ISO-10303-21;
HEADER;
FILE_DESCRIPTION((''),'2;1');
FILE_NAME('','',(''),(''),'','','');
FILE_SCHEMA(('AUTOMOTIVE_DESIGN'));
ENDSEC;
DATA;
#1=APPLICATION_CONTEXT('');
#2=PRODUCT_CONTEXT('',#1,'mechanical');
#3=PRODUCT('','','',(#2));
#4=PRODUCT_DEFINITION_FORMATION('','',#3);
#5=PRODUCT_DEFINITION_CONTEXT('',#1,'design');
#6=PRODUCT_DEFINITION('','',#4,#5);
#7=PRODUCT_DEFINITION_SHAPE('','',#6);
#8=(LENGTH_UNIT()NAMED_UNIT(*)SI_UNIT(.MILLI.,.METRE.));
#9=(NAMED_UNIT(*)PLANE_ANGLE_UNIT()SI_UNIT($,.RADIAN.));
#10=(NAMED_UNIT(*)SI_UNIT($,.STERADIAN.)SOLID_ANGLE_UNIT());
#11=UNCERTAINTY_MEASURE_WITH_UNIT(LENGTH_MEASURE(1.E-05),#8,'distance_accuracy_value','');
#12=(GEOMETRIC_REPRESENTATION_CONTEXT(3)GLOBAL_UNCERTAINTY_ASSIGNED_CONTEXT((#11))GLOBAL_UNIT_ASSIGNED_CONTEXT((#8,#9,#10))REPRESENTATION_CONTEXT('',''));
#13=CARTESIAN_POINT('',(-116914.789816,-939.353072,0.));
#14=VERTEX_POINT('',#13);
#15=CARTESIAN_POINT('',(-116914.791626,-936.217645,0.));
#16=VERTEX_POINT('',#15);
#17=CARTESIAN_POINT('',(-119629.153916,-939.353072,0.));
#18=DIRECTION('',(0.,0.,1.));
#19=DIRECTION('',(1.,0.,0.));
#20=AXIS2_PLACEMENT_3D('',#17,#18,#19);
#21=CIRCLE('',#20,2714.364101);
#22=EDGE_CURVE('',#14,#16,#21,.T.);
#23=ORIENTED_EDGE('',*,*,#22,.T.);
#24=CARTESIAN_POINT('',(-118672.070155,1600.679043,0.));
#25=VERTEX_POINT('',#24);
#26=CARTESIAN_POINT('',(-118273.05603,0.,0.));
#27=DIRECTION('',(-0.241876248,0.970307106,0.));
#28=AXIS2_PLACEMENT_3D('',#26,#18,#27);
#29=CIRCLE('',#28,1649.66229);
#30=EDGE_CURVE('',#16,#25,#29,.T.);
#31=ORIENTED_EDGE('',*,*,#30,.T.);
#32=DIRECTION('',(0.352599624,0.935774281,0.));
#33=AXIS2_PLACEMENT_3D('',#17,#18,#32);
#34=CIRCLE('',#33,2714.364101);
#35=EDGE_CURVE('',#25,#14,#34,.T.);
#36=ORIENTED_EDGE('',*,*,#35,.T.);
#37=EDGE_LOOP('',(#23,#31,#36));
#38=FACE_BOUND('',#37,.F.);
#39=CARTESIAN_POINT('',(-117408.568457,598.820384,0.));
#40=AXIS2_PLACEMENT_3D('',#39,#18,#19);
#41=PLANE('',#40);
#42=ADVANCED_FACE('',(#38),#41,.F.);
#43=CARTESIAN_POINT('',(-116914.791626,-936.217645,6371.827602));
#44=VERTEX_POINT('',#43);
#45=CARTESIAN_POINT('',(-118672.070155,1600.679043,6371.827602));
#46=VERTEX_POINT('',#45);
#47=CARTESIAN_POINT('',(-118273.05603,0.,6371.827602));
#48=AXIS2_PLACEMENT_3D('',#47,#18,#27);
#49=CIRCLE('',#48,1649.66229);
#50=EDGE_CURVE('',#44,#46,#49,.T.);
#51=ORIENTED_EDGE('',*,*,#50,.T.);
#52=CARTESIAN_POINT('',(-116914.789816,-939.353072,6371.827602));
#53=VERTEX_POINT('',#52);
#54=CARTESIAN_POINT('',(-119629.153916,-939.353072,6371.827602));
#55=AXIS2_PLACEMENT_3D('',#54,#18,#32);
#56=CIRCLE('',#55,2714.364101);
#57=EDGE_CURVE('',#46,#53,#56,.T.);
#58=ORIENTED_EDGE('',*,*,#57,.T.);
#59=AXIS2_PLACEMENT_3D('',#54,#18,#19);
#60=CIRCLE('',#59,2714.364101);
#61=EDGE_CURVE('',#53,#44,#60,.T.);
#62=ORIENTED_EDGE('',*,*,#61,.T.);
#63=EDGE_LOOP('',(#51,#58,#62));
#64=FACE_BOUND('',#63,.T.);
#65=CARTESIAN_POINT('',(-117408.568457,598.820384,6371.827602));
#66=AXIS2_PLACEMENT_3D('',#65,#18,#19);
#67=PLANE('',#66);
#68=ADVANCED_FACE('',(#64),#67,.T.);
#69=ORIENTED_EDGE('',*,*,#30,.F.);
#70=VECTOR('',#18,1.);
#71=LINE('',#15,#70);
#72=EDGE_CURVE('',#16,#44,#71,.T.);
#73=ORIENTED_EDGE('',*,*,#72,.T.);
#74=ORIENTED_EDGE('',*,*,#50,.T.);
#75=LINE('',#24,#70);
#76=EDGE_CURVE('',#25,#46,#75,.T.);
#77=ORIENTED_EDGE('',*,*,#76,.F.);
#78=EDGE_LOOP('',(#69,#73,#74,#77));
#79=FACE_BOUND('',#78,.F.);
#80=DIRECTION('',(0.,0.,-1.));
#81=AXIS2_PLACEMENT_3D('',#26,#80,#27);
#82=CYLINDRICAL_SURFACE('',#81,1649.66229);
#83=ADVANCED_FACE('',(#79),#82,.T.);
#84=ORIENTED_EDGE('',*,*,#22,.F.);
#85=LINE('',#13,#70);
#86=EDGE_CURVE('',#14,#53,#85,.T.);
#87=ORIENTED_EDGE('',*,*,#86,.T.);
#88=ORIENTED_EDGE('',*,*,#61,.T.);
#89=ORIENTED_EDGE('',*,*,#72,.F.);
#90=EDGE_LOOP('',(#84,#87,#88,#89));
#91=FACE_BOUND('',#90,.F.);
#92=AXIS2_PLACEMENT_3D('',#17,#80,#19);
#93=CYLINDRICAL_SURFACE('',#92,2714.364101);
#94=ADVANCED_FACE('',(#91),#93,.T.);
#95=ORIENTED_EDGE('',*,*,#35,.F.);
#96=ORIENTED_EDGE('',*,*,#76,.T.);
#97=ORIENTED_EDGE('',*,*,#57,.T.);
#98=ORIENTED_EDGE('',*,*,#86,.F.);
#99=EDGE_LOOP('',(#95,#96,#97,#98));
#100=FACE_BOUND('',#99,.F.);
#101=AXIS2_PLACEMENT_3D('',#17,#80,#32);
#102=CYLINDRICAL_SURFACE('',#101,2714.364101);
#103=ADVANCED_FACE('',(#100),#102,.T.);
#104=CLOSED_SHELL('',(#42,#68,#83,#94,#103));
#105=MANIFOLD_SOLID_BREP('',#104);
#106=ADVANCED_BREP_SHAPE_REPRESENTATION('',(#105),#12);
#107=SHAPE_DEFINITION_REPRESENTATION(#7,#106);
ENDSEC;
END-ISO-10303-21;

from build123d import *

# Parameters (mm, degrees)
F2_DEPTH = 6371.8276023865


with BuildPart() as f2:
    # F1 (on face) → F2 (new body)
    with BuildSketch(Plane.XY):
        with BuildLine():
            ThreePointArc((-116914.7916263687, -936.2176448423), (-116697.9269505258, -490.2591677493), (-116623.3937407642, 0))
            ThreePointArc((-116623.3937407642, 0), (-117257.391933337, 1299.927733231), (-118672.0701545602, 1600.6790427967))
            ThreePointArc((-118672.0701545602, 1600.6790427967), (-117397.8224239489, 606.2640355202), (-116914.7916263687, -936.2176448423))
        make_face()
        with BuildLine():
            ThreePointArc((-116914.7916263687, -936.2176448423), (-117397.8224239489, 606.2640355202), (-118672.0701545602, 1600.6790427967))
            ThreePointArc((-118672.0701545602, 1600.6790427967), (-119629.1539160012, -939.3530719349), (-116914.7916263687, -936.2176448423))
        make_face()
        with BuildLine():
            ThreePointArc((-116914.7916263687, -936.2176448423), (-119629.1539160012, -939.3530719349), (-118672.0701545602, 1600.6790427967))
            ThreePointArc((-118672.0701545602, 1600.6790427967), (-121861.3777257416, -2483.6811891141), (-116914.7898154645, -939.3530719349))
            ThreePointArc((-116914.7898154645, -939.3530719349), (-116914.7902681906, -937.7853581272), (-116914.7916263687, -936.2176448423))
        make_face()
    extrude(amount=F2_DEPTH)


solid = f2.part
